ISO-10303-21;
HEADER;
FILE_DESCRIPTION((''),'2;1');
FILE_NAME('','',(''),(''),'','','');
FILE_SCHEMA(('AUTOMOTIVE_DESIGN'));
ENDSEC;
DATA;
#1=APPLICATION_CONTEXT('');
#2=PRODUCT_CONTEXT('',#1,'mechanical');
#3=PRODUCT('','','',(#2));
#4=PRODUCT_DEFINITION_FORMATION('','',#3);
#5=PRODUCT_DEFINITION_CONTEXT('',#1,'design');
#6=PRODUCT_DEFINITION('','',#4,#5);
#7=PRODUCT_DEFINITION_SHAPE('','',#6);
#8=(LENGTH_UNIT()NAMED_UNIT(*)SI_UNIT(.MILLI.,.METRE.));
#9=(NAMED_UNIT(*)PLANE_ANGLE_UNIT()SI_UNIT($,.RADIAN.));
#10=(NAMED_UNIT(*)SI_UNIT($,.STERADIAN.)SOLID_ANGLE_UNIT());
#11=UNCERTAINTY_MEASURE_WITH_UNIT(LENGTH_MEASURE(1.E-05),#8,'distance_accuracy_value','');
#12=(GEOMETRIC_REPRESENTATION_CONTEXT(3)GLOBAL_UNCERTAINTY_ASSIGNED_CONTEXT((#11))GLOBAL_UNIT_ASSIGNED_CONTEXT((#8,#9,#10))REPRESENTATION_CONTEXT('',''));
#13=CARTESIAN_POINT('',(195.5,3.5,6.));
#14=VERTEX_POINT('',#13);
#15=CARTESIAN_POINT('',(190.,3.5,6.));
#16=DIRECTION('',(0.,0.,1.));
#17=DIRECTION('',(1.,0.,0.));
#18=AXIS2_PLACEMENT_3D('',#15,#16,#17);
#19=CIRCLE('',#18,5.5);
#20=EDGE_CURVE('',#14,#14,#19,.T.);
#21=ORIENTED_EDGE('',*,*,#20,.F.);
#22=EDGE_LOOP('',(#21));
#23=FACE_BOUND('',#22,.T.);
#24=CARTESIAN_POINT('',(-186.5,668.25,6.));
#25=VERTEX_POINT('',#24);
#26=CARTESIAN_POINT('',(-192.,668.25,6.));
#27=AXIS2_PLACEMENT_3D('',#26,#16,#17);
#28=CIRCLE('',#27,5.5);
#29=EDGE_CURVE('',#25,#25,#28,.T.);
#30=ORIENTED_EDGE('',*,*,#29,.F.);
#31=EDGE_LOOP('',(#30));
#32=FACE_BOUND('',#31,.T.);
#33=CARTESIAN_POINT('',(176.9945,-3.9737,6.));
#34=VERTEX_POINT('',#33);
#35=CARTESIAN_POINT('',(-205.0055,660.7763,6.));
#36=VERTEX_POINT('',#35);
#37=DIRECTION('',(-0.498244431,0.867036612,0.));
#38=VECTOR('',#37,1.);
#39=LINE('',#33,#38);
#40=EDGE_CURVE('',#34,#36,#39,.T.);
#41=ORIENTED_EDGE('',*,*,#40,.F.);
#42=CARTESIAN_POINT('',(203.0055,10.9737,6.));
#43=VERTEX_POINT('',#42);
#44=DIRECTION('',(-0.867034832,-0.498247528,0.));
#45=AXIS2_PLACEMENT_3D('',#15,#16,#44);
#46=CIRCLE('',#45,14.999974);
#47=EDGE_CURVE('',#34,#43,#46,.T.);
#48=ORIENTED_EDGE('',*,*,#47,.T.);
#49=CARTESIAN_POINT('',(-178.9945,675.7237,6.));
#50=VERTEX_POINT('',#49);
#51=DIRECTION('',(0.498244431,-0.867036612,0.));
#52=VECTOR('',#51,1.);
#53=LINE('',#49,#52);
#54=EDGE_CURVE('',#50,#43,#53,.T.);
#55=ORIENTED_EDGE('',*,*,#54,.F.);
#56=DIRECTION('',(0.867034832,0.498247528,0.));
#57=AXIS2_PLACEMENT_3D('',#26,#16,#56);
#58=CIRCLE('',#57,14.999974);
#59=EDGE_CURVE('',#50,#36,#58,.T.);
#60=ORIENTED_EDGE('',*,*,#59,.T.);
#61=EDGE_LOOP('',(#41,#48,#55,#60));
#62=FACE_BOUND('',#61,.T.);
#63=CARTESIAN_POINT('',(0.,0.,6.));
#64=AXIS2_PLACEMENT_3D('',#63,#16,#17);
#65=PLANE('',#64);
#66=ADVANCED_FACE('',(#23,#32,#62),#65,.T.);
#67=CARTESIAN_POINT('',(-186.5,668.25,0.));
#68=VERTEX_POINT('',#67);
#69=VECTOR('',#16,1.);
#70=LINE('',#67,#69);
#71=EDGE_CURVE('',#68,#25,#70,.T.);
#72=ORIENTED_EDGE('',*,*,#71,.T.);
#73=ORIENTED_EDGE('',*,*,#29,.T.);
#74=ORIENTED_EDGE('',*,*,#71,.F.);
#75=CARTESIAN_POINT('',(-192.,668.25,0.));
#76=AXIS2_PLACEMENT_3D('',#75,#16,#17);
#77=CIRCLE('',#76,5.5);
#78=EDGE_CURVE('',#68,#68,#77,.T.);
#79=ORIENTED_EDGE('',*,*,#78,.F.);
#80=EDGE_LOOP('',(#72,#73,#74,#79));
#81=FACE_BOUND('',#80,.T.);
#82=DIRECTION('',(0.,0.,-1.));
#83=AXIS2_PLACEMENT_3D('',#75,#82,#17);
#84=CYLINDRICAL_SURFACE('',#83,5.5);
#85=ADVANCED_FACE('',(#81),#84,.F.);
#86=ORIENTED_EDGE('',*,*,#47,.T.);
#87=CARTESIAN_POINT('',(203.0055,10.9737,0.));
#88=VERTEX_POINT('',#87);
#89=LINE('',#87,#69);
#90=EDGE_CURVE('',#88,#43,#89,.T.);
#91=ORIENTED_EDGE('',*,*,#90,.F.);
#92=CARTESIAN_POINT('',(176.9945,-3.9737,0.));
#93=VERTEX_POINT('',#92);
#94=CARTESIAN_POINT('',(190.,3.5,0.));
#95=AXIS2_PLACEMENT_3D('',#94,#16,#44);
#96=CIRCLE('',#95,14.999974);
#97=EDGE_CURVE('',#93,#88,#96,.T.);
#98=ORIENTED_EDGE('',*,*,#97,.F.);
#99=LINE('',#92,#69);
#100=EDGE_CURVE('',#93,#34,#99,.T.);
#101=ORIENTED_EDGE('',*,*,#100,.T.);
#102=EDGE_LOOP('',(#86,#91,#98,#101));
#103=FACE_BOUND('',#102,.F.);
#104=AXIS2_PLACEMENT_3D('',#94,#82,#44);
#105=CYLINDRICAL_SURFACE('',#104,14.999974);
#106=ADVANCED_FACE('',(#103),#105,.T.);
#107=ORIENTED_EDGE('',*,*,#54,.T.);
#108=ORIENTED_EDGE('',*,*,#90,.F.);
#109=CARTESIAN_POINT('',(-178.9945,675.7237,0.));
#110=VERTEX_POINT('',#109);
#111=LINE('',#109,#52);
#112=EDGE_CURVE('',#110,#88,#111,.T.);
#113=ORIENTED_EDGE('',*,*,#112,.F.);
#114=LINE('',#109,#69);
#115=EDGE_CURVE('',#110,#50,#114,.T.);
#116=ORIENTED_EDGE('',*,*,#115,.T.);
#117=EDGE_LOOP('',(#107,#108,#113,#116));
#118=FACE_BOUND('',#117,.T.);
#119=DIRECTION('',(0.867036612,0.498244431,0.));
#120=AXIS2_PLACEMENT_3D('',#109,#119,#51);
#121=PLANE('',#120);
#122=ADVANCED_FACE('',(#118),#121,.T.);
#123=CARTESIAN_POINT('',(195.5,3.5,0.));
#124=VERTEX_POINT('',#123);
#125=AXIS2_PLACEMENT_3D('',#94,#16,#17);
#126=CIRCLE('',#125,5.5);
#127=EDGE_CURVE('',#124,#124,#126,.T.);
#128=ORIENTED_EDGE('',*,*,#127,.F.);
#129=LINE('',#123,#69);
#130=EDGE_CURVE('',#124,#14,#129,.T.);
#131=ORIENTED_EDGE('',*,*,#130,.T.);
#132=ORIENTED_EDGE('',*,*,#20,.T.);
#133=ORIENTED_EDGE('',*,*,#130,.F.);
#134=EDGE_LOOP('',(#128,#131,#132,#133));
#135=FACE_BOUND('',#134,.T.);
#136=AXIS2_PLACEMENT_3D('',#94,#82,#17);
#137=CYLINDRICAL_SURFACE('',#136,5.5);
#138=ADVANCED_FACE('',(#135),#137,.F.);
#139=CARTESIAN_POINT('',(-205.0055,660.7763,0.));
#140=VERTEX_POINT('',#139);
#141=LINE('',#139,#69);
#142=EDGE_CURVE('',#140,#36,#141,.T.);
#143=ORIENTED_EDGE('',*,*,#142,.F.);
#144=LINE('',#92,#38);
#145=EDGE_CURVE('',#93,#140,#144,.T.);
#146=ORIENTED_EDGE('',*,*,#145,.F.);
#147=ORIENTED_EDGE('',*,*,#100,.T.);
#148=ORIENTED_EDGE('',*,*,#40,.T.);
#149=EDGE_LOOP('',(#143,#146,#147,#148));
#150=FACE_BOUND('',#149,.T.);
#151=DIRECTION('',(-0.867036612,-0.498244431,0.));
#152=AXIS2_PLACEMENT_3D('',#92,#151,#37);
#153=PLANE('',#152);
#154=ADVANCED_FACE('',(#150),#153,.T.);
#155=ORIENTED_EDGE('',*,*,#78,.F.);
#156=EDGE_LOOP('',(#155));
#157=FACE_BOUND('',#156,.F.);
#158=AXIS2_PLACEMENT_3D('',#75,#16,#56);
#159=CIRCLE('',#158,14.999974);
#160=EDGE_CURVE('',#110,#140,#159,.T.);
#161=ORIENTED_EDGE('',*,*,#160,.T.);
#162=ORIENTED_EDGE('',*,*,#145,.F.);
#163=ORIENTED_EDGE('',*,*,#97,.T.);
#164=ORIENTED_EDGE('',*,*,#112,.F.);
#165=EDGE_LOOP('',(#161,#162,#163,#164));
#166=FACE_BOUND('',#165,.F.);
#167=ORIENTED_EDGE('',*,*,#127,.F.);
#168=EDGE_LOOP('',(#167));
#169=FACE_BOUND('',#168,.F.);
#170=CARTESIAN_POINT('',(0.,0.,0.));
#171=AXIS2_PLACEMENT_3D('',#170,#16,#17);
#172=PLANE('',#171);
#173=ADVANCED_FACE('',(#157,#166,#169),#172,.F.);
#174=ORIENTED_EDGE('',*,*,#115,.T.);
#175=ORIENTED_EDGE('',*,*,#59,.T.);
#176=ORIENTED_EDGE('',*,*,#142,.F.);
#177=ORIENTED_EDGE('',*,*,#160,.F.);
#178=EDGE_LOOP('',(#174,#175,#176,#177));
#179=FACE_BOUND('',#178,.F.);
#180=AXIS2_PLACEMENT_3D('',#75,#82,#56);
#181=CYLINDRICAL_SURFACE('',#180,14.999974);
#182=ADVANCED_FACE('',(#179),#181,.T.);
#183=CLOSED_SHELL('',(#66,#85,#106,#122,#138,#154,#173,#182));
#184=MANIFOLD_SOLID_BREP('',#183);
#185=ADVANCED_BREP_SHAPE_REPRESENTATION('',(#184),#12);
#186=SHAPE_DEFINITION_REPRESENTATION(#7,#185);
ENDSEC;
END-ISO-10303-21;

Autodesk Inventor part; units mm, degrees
ref_plane "YZ Plane" through (0, 0, 0) normal (1, 0, 0) x (0, 1, 0)
ref_plane "XZ Plane" through (0, 0, 0) normal (0, 1, 0) x (-1, 0, 0)
ref_plane "XY Plane" through (0, 0, 0) normal (0, 0, 1) x (1, 0, 0)
sketch "Sketch1" plane through (0, 0, 0) normal (0, 0, 1) x (1, 0, 0)
  circle A0 centre (190, 3.5) radius 5.5 projected
  circle A1 centre (-192, 668.25) radius 5.5 projected
  arc A2 (176.9945, -3.9737) -> (203.0055, 10.9737) centre (190, 3.5) ccw
  arc A3 (-178.9945, 675.7237) -> (-205.0055, 660.7763) centre (-192, 668.25) ccw
  circle A4 centre (190, 3.5) radius 5.5
  circle A5 centre (-192, 668.25) radius 5.5
  line L0 (-178.9945, 675.7237) -> (203.0055, 10.9737)
  line L1 (176.9945, -3.9737) -> (-205.0055, 660.7763)
  point P0 (0, 0)
  dimension "d2" = 11
  dimension "d3" = 30
  dimension "d4" = 11
  dimension "d5" = 30
extrude "Extrusion2" add sketch "Sketch1" along normal blind 6
properties part number "90-08-1550" material "Steel, Mild"
